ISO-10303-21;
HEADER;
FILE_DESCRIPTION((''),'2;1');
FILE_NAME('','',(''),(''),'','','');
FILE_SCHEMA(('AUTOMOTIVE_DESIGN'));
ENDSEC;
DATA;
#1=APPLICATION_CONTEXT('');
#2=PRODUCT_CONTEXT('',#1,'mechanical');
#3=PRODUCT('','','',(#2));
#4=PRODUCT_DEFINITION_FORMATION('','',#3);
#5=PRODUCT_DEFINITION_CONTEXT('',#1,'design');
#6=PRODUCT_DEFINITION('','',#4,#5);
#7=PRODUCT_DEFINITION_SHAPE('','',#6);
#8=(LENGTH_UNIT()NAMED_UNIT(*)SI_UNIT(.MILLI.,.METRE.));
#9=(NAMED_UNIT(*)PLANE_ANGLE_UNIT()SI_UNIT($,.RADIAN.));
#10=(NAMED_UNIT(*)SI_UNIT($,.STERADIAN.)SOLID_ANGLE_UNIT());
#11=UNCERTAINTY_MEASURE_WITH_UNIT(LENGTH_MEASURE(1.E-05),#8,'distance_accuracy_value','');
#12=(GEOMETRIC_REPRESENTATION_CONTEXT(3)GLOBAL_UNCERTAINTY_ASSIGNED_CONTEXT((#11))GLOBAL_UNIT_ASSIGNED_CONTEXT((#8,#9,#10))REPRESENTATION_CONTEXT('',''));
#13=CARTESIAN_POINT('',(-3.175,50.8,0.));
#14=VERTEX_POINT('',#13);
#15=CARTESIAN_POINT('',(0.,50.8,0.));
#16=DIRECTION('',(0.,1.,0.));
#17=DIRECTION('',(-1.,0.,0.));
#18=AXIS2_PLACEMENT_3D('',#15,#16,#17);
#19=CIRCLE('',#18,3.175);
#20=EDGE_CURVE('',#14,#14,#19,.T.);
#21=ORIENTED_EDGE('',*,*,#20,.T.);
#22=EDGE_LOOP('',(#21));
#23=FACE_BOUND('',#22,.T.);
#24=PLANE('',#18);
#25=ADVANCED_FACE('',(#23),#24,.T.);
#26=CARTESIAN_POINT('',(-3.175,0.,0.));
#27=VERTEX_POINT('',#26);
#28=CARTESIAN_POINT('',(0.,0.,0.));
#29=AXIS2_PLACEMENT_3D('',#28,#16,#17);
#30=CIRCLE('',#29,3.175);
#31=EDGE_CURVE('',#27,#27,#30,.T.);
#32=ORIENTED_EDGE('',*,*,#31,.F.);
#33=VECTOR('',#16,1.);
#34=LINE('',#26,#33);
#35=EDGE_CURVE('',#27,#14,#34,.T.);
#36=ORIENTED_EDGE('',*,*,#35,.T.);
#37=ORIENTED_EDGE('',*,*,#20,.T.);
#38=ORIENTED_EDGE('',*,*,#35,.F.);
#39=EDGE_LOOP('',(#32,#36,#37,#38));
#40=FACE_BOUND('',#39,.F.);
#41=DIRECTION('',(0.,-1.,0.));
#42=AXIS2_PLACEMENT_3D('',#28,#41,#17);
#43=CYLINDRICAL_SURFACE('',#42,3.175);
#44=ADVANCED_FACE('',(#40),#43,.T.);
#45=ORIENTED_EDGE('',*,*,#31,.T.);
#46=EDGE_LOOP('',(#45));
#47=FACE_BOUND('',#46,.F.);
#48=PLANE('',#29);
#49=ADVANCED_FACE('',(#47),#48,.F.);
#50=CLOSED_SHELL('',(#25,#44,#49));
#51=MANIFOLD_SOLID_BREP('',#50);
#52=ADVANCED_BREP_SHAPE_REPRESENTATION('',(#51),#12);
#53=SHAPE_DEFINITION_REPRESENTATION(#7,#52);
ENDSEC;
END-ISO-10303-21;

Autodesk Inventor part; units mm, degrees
ref_plane "YZ Plane" through (0, 0, 0) normal (1, 0, 0) x (0, 1, 0)
ref_plane "XZ Plane" through (0, 0, 0) normal (0, 1, 0) x (-1, 0, 0)
ref_plane "XY Plane" through (0, 0, 0) normal (0, 0, 1) x (1, 0, 0)
sketch "Sketch1" plane through (0, 0, 0) normal (0, 1, 0) x (-1, 0, 0)
  circle A0 centre (0, 0) radius 3.175
  dimension "d0" = 6.35
extrude "Extrusion1" add sketch "Sketch1" along normal blind 50.8
properties part number "Lever Arm"
